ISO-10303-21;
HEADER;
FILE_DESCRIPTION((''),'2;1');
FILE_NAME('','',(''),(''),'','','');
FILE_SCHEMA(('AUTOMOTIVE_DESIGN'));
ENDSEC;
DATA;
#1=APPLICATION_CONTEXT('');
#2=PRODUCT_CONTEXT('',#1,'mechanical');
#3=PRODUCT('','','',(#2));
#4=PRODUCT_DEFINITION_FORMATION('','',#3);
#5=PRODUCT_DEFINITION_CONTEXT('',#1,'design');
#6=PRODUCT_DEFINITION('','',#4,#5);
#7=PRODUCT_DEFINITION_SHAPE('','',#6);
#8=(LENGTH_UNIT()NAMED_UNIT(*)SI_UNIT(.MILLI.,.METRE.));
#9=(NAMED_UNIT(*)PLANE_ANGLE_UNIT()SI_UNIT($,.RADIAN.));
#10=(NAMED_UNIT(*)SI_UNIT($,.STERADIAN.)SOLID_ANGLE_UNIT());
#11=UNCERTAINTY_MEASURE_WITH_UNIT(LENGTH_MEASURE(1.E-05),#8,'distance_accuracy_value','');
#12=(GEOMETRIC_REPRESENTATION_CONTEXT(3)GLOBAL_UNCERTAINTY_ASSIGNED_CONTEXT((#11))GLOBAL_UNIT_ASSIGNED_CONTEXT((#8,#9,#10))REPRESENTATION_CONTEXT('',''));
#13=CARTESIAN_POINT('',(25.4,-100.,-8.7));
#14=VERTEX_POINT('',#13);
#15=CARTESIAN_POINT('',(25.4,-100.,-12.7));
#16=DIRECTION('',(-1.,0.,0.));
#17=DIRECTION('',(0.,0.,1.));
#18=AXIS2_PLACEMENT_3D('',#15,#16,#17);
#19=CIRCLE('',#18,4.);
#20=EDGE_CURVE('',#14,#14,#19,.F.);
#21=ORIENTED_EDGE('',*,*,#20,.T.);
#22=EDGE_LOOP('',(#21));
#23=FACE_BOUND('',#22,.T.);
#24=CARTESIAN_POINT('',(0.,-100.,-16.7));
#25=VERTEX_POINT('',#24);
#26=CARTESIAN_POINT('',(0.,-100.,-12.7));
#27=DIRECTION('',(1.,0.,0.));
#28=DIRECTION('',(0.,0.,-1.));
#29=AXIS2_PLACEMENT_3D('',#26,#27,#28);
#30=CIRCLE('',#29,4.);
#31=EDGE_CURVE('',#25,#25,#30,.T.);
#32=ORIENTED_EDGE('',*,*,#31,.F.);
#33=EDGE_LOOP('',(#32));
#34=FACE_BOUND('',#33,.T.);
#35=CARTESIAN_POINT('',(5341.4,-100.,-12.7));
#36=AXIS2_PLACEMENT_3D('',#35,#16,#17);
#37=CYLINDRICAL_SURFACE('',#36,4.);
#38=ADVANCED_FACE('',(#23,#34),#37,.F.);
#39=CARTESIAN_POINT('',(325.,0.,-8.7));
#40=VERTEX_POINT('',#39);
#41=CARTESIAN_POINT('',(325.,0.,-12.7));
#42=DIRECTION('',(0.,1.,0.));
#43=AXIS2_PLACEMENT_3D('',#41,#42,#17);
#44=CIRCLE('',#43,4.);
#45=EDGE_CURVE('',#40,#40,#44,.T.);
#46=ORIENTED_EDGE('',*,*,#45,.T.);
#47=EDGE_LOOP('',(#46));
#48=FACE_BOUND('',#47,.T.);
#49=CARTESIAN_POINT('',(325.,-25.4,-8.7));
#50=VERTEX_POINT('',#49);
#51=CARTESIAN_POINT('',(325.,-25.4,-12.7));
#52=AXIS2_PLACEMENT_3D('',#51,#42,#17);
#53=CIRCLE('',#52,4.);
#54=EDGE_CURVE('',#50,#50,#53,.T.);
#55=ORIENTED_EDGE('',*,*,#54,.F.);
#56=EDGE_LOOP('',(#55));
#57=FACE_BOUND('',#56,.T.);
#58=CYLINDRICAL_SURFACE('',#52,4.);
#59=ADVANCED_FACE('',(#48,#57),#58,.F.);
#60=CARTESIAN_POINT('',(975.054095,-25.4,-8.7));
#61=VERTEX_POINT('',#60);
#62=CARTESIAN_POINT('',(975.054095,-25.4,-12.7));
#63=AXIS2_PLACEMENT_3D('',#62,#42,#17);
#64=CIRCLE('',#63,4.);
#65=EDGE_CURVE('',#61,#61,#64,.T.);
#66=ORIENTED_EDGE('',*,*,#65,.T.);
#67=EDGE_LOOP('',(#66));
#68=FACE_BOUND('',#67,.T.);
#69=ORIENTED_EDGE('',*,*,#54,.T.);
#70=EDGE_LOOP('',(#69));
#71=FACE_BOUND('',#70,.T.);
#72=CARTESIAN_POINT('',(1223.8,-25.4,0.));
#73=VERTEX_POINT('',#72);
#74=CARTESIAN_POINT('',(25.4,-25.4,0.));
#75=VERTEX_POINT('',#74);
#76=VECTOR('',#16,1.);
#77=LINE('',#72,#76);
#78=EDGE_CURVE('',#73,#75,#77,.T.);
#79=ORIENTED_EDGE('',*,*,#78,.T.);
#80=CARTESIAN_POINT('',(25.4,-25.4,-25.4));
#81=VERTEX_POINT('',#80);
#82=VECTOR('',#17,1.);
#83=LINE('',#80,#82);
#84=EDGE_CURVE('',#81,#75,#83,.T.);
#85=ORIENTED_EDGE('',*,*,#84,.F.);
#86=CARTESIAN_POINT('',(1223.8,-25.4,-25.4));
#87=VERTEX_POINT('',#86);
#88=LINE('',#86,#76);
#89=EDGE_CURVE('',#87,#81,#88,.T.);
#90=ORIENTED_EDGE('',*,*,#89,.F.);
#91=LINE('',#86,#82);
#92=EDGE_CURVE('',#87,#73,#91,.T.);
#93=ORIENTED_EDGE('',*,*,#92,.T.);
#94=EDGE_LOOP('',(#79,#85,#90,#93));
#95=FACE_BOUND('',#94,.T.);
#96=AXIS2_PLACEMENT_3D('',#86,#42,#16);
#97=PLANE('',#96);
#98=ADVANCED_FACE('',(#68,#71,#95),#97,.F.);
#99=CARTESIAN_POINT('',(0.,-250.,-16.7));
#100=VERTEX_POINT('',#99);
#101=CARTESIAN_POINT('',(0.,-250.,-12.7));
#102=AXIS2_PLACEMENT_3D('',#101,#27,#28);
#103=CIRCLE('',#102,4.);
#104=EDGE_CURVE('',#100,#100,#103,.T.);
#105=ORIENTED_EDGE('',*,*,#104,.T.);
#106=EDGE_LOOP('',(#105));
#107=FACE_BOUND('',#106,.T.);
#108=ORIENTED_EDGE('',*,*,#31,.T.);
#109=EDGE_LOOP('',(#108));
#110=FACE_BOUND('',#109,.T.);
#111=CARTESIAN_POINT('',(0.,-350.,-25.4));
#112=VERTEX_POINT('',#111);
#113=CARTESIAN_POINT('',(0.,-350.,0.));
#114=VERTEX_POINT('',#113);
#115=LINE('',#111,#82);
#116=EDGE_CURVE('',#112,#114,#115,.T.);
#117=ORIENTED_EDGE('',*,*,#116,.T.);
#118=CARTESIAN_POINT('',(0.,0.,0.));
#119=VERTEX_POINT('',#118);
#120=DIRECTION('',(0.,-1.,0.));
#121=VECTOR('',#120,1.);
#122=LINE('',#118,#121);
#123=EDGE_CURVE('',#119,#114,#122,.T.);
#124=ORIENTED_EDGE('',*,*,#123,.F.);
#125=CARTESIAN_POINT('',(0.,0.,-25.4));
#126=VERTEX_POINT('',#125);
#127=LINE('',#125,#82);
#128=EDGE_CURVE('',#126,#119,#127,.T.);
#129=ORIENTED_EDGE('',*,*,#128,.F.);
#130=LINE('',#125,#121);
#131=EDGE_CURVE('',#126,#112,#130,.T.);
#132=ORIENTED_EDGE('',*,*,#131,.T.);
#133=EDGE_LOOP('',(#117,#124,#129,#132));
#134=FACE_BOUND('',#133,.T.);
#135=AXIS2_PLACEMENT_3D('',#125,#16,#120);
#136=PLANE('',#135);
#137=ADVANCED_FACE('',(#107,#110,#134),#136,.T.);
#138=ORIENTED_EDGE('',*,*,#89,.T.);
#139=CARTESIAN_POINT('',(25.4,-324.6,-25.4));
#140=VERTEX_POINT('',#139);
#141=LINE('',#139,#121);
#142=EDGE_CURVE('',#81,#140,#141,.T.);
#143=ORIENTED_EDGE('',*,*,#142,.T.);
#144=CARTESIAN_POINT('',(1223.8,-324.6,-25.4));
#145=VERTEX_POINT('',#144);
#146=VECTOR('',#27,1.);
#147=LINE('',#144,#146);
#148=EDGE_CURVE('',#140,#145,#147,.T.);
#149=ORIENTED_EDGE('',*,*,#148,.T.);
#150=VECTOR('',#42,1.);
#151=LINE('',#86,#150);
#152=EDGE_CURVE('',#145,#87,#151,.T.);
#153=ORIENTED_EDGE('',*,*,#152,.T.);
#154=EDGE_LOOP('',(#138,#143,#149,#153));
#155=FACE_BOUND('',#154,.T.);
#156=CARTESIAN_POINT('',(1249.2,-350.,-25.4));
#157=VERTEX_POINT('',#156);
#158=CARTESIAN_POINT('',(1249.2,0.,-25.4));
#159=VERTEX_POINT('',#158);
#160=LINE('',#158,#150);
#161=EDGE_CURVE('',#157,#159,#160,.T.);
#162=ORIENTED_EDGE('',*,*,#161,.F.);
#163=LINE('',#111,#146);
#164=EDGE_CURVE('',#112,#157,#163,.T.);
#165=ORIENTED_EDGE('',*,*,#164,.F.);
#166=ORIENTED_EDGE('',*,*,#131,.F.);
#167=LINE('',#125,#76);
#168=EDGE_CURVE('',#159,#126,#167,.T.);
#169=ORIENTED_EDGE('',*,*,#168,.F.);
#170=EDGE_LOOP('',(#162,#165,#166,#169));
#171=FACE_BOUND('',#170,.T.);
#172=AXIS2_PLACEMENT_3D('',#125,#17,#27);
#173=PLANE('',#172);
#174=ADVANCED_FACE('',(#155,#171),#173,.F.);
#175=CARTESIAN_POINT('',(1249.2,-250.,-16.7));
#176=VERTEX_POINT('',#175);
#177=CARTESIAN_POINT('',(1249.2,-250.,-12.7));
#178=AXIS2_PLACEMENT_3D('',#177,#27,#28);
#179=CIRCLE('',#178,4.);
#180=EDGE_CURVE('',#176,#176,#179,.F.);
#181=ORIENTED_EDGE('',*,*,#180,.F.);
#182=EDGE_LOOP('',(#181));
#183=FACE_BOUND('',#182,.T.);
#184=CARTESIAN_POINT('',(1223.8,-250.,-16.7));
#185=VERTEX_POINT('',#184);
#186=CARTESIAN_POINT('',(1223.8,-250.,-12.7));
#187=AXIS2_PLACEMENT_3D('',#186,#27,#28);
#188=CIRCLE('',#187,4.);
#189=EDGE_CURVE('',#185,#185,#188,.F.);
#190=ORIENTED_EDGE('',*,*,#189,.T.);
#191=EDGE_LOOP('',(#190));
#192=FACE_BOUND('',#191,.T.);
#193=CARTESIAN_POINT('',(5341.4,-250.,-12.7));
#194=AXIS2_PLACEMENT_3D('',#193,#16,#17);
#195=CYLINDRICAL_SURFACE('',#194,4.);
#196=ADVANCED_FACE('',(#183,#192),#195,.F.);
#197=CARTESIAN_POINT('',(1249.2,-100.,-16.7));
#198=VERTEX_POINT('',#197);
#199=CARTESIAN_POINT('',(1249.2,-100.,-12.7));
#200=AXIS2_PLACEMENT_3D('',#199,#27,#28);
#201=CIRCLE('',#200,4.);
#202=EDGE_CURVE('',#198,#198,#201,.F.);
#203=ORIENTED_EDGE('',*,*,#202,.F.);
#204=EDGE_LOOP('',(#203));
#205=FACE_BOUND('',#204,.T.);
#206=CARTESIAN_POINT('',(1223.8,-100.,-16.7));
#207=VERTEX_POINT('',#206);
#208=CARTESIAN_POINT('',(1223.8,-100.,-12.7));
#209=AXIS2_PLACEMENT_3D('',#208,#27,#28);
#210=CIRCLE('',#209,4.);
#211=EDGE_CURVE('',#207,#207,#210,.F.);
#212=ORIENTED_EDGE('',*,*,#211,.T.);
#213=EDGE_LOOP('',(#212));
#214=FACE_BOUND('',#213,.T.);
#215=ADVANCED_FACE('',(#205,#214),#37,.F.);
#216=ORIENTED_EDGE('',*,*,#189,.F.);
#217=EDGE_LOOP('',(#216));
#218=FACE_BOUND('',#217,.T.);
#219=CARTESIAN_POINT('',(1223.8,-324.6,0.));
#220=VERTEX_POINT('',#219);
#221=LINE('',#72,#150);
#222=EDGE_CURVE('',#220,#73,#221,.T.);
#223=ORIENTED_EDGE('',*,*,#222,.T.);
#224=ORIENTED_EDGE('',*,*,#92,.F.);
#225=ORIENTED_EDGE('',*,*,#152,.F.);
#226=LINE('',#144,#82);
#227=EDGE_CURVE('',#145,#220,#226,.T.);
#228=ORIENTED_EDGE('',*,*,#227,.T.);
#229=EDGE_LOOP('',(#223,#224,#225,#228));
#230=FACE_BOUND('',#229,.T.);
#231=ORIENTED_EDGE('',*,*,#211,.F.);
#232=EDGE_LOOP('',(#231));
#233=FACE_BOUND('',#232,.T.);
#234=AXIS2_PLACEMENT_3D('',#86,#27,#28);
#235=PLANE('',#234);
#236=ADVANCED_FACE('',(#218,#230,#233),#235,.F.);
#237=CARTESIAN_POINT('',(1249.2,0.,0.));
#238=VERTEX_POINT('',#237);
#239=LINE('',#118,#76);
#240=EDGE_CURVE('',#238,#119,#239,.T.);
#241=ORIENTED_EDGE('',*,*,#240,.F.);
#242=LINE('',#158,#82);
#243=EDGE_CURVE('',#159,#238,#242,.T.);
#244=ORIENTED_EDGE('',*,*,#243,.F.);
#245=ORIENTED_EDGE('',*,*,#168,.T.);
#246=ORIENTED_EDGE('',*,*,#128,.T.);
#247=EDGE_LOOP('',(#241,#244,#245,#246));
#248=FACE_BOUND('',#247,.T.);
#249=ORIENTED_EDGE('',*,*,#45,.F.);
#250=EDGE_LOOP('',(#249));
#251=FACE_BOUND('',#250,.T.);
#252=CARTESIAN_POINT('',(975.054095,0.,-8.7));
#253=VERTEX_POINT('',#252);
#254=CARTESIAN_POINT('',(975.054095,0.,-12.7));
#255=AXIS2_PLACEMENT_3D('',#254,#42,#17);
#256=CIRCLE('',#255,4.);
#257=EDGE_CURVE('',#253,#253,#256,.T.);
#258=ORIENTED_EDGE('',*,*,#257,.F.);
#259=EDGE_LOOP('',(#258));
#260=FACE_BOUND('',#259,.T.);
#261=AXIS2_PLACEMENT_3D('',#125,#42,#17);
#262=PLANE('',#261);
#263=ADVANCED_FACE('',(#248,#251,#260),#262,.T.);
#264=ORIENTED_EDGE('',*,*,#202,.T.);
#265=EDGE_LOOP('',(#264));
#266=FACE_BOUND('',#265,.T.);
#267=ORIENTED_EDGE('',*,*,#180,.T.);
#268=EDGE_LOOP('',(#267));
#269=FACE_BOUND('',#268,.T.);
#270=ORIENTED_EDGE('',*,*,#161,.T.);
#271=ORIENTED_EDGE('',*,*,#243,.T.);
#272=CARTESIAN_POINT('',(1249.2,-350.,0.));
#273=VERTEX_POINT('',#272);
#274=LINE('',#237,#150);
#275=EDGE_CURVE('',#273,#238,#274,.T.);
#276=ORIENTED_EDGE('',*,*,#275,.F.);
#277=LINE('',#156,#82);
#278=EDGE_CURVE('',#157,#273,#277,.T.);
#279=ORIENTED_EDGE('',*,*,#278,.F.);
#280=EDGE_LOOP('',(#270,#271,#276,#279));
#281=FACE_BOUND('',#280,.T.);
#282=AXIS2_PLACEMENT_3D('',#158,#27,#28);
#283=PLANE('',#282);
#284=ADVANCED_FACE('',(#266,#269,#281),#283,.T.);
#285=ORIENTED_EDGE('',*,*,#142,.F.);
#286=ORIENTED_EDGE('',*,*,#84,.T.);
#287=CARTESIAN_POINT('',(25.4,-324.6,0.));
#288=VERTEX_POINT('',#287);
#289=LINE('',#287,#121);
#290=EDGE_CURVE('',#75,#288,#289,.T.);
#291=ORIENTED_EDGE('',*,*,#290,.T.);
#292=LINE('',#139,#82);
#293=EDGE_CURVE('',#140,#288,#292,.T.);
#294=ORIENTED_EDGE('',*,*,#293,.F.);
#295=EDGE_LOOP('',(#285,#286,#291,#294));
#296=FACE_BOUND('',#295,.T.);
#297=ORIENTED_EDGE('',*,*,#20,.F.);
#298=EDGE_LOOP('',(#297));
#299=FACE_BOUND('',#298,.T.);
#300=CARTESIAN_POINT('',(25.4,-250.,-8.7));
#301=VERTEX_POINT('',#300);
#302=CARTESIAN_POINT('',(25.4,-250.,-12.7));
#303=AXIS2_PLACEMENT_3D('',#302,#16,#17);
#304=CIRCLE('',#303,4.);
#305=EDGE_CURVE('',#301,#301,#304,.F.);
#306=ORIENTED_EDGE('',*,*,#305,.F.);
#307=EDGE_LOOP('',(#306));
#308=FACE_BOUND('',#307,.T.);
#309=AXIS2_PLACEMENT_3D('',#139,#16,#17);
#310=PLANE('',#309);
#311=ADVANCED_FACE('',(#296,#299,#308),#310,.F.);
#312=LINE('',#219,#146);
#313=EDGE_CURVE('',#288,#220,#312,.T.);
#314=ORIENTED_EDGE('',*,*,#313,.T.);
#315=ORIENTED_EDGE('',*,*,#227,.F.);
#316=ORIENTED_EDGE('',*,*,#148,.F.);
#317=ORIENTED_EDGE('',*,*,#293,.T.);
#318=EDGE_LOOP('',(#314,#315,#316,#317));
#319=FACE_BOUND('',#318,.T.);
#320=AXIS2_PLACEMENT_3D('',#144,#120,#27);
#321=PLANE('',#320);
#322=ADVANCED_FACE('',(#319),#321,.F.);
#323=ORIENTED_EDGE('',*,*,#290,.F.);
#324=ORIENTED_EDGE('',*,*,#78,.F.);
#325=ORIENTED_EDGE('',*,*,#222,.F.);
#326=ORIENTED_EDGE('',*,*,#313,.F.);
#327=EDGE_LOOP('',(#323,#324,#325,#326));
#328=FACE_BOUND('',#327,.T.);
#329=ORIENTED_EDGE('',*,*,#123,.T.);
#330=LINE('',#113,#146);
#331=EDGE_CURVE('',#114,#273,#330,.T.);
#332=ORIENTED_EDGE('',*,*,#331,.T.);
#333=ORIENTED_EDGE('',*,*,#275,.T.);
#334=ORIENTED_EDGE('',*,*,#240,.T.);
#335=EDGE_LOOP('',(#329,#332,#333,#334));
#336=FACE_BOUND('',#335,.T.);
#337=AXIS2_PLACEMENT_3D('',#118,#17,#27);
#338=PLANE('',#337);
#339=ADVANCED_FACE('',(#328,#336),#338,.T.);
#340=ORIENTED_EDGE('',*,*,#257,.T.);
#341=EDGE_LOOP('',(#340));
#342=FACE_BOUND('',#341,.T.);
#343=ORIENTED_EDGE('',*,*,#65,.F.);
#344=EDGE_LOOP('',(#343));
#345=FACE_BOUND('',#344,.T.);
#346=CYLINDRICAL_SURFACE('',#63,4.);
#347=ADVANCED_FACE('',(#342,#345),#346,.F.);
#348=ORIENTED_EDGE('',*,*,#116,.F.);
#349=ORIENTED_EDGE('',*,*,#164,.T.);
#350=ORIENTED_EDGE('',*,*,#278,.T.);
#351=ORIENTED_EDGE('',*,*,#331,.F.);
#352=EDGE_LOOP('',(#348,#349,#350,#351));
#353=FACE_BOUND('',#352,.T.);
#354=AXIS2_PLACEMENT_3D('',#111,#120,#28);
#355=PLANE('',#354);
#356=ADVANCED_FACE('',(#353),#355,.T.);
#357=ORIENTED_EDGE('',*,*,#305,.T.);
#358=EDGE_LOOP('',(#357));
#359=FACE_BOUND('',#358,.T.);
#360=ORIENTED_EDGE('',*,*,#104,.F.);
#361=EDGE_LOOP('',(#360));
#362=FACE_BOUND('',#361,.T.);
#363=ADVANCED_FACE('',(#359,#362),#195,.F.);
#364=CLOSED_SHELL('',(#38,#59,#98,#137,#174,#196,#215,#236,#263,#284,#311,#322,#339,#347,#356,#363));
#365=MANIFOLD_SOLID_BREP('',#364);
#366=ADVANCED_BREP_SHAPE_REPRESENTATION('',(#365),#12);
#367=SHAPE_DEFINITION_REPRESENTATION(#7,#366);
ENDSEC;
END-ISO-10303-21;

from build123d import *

# Parameters (mm, degrees)
SKETCH1_W           = 1249.2
SKETCH1_H           = 350
SKETCH1_W_2         = 1198.4
SKETCH1_H_2         = 299.2
BOSS_EXTRUDE1_DEPTH = 25.4
SKETCH2_R           = 4
CUT_EXTRUDE3_DEPTH  = 25.4
SKETCH3_R           = 4
CUT_EXTRUDE10_DEPTH = 5341.4


with BuildPart() as part:
    # Sketch1 → Boss-Extrude1 (new body)
    with BuildSketch(Plane.XY):
        with Locations((624.6, -175)):
            Rectangle(SKETCH1_W, SKETCH1_H)
        with Locations((624.6, -175)):
            Rectangle(SKETCH1_W_2, SKETCH1_H_2, mode=Mode.SUBTRACT)
    extrude(amount=-BOSS_EXTRUDE1_DEPTH)

    # Sketch2 → Cut-Extrude3 (cut)
    with BuildSketch(Plane(origin=(0, 0, 0), x_dir=(1, 0, 0), z_dir=(0, 1, 0))):
        with Locations(Location((325, 12.7, 0), (0, 0, 270))):
            Circle(SKETCH2_R)
        with Locations(Location((975.054095101, 12.7, 0), (0, 0, 270))):
            Circle(SKETCH2_R)
    extrude(amount=-CUT_EXTRUDE3_DEPTH, mode=Mode.SUBTRACT)

    # Sketch3 → Cut-Extrude10 (cut)
    with BuildSketch(Plane(origin=(0, 0, 0), x_dir=(0, 0, -1), z_dir=(1, 0, 0))):
        with Locations(Location((12.7, -100, 0), (0, 0, 180))):
            Circle(SKETCH3_R)
        with Locations(Location((12.7, -250, 0), (0, 0, 180))):
            Circle(SKETCH3_R)
    extrude(amount=CUT_EXTRUDE10_DEPTH, mode=Mode.SUBTRACT)


solid = part.part
